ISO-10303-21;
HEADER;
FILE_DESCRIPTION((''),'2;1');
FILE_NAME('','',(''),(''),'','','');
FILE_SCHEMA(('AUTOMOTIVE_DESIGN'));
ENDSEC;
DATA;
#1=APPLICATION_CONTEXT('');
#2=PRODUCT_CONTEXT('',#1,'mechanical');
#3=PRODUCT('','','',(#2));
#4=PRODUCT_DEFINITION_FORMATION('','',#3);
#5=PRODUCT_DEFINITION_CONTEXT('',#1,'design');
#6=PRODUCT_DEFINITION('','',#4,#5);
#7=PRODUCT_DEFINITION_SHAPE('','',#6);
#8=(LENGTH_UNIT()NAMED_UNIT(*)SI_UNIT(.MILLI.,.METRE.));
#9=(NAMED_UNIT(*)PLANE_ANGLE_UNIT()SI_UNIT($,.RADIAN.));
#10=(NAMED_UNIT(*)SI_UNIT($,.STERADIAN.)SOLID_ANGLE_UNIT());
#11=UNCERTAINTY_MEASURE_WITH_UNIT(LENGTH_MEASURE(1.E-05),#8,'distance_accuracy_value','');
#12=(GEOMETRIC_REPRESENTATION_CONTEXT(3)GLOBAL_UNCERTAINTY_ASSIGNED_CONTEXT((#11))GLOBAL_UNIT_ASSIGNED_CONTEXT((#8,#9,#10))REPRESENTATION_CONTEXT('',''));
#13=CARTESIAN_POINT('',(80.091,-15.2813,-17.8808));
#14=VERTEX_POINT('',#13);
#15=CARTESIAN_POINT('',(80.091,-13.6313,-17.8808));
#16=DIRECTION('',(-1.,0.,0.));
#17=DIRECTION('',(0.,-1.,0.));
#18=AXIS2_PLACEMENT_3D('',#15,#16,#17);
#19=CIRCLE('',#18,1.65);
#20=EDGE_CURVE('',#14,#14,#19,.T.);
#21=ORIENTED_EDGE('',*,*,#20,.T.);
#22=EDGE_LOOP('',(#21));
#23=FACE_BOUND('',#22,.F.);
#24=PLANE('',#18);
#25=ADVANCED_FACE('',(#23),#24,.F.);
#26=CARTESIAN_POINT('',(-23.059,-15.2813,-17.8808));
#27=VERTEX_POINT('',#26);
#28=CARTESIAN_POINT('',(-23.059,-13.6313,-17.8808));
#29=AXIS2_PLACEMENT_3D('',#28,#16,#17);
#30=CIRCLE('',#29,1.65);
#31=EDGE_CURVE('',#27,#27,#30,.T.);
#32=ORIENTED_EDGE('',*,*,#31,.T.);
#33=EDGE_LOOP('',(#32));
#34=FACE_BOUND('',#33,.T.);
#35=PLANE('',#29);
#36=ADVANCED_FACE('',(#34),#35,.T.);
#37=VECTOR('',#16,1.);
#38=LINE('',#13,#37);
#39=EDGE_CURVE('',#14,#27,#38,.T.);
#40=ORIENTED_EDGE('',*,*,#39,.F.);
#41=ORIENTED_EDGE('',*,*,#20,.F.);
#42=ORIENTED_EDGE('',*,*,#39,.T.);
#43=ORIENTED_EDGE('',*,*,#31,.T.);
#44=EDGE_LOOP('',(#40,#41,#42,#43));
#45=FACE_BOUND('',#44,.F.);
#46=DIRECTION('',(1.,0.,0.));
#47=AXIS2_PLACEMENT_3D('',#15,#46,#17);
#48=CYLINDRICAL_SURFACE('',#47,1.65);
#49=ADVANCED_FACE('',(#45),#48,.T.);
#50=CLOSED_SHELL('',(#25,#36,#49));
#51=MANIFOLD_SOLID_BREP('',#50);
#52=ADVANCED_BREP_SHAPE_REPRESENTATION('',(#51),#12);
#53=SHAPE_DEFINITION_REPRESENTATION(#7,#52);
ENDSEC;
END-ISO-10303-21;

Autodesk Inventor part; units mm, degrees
ref_plane "YZ Plane" through (0, 0, 0) normal (1, 0, 0) x (0, 1, 0)
ref_plane "XZ Plane" through (0, 0, 0) normal (0, 1, 0) x (-1, 0, 0)
ref_plane "XY Plane" through (0, 0, 0) normal (0, 0, 1) x (1, 0, 0)
ref_plane "Work Plane1" through (80.091, -13.6313, -17.8808) normal (-1, 0, 0) x (0, -1, 0)
sketch "Sketch1" plane through (80.091, -13.6313, -17.8808) normal (-1, 0, 0) x (0, -1, 0)
  circle A0 centre (0, 0) radius 1.65
  point P0 (-13.6313, 17.8808)
extrude "Extrusion1" add sketch "Sketch1" along normal blind 103.15
thread "Thread1" size "6-32 UNC" class "2A" standard "ANSI Unified Screw Threads" full length
properties part number "6-32 Rod"
